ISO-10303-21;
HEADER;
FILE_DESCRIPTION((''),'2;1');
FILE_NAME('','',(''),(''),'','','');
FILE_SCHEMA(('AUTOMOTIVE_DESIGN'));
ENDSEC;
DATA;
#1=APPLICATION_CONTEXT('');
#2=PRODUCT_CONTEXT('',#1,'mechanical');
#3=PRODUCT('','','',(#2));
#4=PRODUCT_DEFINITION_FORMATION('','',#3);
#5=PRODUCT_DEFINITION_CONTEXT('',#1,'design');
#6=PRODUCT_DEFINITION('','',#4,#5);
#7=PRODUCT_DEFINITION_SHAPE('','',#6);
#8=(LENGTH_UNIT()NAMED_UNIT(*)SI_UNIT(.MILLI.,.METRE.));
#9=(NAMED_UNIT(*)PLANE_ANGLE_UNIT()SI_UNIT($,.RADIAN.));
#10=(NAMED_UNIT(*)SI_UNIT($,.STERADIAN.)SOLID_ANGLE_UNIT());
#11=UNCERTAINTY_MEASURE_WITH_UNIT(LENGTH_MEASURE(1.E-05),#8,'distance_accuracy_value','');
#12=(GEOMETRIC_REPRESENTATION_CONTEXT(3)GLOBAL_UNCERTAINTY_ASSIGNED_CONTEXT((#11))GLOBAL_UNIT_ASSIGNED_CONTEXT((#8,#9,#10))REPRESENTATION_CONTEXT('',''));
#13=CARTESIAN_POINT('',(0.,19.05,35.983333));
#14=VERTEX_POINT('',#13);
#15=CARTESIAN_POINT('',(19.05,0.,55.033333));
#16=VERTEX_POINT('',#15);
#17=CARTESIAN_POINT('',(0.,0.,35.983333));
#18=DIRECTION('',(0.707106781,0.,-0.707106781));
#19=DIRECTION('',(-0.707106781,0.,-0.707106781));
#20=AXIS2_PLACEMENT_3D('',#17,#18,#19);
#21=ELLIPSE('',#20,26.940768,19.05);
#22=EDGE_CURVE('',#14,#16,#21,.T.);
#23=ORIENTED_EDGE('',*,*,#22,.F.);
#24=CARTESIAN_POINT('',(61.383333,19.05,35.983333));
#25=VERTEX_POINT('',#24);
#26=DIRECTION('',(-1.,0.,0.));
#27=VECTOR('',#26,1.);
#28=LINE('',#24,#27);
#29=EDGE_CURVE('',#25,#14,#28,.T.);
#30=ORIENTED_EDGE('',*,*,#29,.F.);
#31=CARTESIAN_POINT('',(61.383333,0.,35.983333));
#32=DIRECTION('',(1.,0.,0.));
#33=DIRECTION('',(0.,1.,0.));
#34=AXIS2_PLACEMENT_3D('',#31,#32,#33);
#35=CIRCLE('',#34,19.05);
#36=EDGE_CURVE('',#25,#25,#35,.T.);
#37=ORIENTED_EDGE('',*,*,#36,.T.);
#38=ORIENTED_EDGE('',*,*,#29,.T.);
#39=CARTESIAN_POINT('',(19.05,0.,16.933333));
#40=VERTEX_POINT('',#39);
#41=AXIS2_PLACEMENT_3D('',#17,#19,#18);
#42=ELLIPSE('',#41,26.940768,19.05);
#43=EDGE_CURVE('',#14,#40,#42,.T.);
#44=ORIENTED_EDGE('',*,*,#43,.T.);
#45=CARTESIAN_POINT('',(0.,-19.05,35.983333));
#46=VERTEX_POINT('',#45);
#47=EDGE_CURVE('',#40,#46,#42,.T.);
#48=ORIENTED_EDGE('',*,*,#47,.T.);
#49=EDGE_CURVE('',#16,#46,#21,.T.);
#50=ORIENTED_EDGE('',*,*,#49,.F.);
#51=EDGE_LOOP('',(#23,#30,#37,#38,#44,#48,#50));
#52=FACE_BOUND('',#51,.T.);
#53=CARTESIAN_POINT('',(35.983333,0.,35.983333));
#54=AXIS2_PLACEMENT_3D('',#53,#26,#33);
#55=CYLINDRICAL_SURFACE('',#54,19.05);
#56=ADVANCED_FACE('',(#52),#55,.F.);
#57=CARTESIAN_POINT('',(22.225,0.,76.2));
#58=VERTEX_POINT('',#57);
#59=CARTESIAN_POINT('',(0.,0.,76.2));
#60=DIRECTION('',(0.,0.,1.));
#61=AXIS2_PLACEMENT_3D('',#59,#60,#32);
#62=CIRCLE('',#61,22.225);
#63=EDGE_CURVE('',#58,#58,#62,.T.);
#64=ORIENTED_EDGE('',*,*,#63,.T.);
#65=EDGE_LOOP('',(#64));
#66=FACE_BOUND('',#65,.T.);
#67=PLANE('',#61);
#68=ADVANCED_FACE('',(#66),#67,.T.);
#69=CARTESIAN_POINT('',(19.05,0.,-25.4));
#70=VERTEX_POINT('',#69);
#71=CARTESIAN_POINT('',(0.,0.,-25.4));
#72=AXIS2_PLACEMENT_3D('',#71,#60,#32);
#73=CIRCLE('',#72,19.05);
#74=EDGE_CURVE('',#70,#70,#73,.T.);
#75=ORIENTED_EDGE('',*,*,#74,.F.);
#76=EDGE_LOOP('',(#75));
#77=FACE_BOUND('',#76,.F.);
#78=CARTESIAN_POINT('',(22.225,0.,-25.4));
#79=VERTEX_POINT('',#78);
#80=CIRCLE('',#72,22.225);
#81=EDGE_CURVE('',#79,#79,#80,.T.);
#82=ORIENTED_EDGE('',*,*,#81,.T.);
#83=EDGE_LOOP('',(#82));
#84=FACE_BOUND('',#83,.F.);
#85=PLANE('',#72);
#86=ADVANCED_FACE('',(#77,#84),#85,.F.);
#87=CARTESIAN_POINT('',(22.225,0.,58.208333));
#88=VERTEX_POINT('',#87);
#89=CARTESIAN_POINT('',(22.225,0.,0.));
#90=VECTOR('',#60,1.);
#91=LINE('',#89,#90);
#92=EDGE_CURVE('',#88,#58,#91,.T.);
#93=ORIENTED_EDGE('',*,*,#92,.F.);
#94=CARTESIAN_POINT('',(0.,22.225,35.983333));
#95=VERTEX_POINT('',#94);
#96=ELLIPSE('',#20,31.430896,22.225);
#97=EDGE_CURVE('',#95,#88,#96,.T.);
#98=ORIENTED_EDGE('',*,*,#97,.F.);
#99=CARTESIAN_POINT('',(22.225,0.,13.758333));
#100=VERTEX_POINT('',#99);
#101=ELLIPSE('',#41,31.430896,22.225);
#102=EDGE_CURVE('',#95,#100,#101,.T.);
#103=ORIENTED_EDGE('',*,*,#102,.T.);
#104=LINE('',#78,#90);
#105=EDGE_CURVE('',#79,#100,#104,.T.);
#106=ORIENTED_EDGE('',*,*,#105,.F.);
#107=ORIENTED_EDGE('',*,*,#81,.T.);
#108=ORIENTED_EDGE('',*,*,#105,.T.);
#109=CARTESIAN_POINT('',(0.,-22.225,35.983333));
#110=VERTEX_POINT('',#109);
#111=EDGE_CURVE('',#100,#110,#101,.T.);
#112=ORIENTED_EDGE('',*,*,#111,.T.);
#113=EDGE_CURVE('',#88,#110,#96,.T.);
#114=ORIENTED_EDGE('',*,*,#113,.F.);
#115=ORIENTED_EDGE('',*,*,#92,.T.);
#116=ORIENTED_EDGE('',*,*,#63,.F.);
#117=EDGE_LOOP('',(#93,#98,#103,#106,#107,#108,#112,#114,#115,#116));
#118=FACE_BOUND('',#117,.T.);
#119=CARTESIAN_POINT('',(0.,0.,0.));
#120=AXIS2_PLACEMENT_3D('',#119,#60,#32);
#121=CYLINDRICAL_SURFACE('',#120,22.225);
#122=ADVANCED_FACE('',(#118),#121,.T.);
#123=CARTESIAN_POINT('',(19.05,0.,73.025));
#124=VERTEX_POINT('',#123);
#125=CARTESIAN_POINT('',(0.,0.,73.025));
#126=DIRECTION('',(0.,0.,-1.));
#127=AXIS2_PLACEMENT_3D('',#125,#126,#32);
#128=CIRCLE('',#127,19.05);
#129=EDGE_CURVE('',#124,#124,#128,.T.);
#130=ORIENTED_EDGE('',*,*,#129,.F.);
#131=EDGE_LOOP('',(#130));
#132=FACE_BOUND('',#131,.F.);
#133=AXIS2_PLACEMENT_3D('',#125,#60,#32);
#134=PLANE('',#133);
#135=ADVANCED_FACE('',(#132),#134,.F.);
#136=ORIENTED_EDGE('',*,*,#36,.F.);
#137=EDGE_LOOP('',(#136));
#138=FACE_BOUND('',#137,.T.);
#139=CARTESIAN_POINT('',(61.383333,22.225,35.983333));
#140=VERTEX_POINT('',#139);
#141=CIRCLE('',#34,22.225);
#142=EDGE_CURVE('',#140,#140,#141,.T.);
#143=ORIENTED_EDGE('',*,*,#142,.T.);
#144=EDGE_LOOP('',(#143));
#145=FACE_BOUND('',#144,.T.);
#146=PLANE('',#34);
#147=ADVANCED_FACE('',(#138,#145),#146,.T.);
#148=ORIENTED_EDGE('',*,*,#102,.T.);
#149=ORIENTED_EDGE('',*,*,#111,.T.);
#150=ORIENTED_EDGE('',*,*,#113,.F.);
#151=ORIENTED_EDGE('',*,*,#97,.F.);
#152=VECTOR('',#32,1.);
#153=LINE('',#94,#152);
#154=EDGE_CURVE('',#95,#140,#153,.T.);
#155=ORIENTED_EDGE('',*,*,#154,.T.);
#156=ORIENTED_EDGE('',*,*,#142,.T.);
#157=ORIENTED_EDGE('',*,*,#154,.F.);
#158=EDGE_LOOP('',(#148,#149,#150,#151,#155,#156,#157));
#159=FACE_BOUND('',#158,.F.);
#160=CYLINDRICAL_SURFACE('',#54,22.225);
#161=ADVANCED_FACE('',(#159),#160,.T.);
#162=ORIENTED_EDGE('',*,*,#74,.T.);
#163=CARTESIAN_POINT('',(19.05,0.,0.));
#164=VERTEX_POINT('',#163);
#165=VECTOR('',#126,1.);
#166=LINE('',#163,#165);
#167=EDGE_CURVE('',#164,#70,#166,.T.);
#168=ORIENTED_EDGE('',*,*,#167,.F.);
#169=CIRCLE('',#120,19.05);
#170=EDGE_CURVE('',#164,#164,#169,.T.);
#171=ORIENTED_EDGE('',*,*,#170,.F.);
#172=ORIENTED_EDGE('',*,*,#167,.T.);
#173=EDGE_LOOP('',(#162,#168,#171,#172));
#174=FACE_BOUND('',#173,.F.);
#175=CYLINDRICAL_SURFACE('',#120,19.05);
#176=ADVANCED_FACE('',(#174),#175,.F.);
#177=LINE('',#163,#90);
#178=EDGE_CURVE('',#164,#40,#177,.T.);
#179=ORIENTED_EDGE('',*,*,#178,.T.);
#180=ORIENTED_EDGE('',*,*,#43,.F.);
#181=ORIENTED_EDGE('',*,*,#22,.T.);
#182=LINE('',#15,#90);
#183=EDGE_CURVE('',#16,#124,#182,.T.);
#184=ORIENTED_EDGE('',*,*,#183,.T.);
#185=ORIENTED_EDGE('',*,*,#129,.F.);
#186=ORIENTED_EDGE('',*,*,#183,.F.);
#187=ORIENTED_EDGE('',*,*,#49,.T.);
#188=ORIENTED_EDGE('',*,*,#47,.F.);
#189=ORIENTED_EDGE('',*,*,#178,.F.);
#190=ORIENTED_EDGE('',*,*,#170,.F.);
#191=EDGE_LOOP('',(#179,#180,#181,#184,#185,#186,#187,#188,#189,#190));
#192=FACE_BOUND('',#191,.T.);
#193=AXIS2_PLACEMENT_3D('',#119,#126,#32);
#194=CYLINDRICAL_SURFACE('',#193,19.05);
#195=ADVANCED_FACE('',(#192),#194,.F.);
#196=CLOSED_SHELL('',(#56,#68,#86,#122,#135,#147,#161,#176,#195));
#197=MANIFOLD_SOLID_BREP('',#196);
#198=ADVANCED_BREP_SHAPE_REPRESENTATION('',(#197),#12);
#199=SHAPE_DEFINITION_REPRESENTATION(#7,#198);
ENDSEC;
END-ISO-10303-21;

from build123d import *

# Parameters (mm, degrees)
F0_R     = 22.225
F0_R_2   = 19.05
F1_DEPTH = 76.2
F2_START = 73.025
F2_DEPTH = 3.175
F3_R     = 22.225
F3_R_2   = 19.05
F4_DEPTH = 35.9833333333
F5_DEPTH = 63.5
F6_DEPTH = 25.4
F7_DEPTH = 25.4
F8_DEPTH = 25.4


with BuildPart() as f1:
    # F0 (on Top) → F1 (new body)
    with BuildSketch(Plane.XY):
        Circle(F0_R)
        Circle(F0_R_2, mode=Mode.SUBTRACT)
    extrude(amount=F1_DEPTH)

    # F0 (on Top) → F2 (join)
    with BuildSketch(Plane.XY.offset(F2_START)):
        Circle(F0_R)
        Circle(F0_R_2, mode=Mode.SUBTRACT)
        Circle(F0_R_2)
    extrude(amount=F2_DEPTH)

    # F3 (on Right) → F4 (join)
    with BuildSketch(Plane.YZ):
        with Locations((0, 35.9833333333)):
            Circle(F3_R)
        with Locations((0, 35.9833333333)):
            Circle(F3_R_2, mode=Mode.SUBTRACT)
    extrude(amount=F4_DEPTH)

    # F0 (on Top) → F5 (cut)
    with BuildSketch(Plane.XY):
        Circle(F0_R_2)
    extrude(amount=F5_DEPTH, mode=Mode.SUBTRACT)

    # F3 (on Right) → F6 (cut)
    with BuildSketch(Plane.YZ):
        with Locations((0, 35.9833333333)):
            Circle(F3_R_2)
    extrude(amount=F6_DEPTH, mode=Mode.SUBTRACT)

    # F7 (add): a face of the model
    f7_faces = [f1.faces().sort_by_distance(p)[0] for p in [
        (35.9833333333, -21.5963820715, 35.9833333333),
    ]]
    extrude(f7_faces, amount=F7_DEPTH)

    # F8 (add): a face of the model
    f8_faces = [f1.faces().sort_by_distance(p)[0] for p in [
        (-21.5963820715, 0, 0),
    ]]
    extrude(f8_faces, amount=F8_DEPTH)


solid = f1.part
